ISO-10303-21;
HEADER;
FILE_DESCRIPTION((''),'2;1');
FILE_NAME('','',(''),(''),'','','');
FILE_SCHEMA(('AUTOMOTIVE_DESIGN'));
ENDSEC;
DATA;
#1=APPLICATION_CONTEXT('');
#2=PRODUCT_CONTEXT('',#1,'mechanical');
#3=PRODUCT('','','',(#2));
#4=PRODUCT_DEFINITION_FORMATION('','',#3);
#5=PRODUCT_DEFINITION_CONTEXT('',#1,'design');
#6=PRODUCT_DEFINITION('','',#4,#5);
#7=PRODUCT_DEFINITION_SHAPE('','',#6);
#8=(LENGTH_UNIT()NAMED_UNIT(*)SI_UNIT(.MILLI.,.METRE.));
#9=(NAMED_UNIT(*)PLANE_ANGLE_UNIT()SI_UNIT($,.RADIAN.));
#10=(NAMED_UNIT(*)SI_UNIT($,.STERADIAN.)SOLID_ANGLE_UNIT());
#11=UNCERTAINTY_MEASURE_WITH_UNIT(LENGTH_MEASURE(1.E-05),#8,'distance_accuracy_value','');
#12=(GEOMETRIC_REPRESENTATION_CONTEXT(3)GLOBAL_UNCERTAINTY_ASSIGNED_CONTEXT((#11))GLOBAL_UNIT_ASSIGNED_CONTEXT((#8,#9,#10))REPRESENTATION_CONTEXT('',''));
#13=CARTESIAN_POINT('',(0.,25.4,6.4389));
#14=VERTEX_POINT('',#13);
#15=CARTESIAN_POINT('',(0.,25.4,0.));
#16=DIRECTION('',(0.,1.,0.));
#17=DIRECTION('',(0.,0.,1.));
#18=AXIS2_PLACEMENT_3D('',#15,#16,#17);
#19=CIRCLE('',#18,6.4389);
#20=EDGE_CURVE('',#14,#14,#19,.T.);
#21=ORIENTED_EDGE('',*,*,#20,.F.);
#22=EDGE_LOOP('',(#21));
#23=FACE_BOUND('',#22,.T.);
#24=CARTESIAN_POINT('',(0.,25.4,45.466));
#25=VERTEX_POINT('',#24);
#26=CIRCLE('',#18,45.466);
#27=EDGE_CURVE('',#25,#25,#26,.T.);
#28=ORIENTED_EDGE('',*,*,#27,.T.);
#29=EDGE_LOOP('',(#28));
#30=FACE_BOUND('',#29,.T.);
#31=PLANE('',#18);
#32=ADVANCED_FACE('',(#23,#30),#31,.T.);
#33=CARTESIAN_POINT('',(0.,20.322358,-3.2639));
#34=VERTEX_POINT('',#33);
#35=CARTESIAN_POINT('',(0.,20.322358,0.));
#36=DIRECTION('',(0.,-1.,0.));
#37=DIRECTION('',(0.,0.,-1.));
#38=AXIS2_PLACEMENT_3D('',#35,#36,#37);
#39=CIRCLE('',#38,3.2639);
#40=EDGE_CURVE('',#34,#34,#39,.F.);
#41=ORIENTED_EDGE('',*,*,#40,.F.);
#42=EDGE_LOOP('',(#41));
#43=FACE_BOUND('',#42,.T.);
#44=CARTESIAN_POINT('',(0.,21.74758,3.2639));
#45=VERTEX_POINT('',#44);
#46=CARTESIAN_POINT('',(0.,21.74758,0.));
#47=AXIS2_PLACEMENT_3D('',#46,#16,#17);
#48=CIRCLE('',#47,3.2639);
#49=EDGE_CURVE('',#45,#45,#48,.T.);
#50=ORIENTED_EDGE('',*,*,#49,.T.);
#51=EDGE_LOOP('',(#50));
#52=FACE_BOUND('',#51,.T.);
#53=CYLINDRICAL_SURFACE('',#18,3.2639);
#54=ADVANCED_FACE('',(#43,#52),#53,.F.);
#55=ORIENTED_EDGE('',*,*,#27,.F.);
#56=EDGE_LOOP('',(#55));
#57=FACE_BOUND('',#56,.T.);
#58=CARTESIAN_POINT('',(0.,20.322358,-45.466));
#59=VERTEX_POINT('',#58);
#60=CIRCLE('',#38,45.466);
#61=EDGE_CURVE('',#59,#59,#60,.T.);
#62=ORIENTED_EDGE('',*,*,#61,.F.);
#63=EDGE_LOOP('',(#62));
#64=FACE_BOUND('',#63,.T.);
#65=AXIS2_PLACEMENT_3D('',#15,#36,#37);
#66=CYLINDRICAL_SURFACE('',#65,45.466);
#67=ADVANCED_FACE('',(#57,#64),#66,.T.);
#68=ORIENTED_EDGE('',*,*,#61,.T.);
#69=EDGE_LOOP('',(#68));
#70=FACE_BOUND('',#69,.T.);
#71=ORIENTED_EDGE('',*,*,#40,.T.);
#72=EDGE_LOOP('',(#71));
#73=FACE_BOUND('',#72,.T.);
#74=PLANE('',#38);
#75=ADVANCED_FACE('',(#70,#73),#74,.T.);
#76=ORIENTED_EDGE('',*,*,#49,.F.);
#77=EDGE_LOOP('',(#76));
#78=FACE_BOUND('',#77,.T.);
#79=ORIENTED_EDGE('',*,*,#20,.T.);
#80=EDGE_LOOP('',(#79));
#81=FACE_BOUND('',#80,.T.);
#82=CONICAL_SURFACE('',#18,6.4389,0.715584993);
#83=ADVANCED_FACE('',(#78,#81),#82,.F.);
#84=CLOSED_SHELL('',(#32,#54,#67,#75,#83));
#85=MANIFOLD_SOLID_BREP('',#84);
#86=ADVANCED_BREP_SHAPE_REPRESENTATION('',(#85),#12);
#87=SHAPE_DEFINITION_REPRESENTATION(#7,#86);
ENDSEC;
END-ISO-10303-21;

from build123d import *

# Parameters (mm, degrees)
SKETCH1_R                                        = 45.466
BOSS_EXTRUDE1_DEPTH                              = 25.4
SKETCH3_R                                        = 20.32
CUT_EXTRUDE1_DEPTH                               = 12.7
CSK_FOR_1_4_FLAT_HEAD_MACHINE_SCREW1_D           = 6.5278
CSK_FOR_1_4_FLAT_HEAD_MACHINE_SCREW1_DEPTH       = 25.4
CSK_FOR_1_4_FLAT_HEAD_MACHINE_SCREW1_CSINK_D     = 12.8778
CSK_FOR_1_4_FLAT_HEAD_MACHINE_SCREW1_CSINK_ANGLE = 82
CSK_FOR_1_4_FLAT_HEAD_MACHINE_SCREW1_TIP         = 1.961148974
SKETCH9_R                                        = 53.031918303
CUT_EXTRUDE3_DEPTH                               = 20.322357613


with BuildPart() as part:
    # Sketch1 → Boss-Extrude1 (new body)
    with BuildSketch(Plane(origin=(0, 0, 0), x_dir=(1, 0, 0), z_dir=(0, 1, 0))):
        Circle(SKETCH1_R)
    extrude(amount=BOSS_EXTRUDE1_DEPTH)

    # Sketch3 → Cut-Extrude1 (cut)
    with BuildSketch(Plane.XZ):
        Circle(SKETCH3_R)
    extrude(amount=-CUT_EXTRUDE1_DEPTH, mode=Mode.SUBTRACT)

    # CSK for 1/4 Flat Head Machine Screw1
    with Locations(Plane(origin=(0, 25.4, 0), x_dir=(1, 0, 0), z_dir=(0, 1, 0))):
        with Locations((0, 0)):
            CounterSinkHole(CSK_FOR_1_4_FLAT_HEAD_MACHINE_SCREW1_D / 2, CSK_FOR_1_4_FLAT_HEAD_MACHINE_SCREW1_CSINK_D / 2, depth=CSK_FOR_1_4_FLAT_HEAD_MACHINE_SCREW1_DEPTH, counter_sink_angle=CSK_FOR_1_4_FLAT_HEAD_MACHINE_SCREW1_CSINK_ANGLE)
            with Locations((0, 0, -(CSK_FOR_1_4_FLAT_HEAD_MACHINE_SCREW1_DEPTH + CSK_FOR_1_4_FLAT_HEAD_MACHINE_SCREW1_TIP / 2))):  # 118° drill point
                Cone(0, CSK_FOR_1_4_FLAT_HEAD_MACHINE_SCREW1_D / 2, CSK_FOR_1_4_FLAT_HEAD_MACHINE_SCREW1_TIP, mode=Mode.SUBTRACT)

    # Sketch9 → Cut-Extrude3 (cut)
    with BuildSketch(Plane.XZ):
        Circle(SKETCH9_R)
    extrude(amount=-CUT_EXTRUDE3_DEPTH, mode=Mode.SUBTRACT)


solid = part.part
